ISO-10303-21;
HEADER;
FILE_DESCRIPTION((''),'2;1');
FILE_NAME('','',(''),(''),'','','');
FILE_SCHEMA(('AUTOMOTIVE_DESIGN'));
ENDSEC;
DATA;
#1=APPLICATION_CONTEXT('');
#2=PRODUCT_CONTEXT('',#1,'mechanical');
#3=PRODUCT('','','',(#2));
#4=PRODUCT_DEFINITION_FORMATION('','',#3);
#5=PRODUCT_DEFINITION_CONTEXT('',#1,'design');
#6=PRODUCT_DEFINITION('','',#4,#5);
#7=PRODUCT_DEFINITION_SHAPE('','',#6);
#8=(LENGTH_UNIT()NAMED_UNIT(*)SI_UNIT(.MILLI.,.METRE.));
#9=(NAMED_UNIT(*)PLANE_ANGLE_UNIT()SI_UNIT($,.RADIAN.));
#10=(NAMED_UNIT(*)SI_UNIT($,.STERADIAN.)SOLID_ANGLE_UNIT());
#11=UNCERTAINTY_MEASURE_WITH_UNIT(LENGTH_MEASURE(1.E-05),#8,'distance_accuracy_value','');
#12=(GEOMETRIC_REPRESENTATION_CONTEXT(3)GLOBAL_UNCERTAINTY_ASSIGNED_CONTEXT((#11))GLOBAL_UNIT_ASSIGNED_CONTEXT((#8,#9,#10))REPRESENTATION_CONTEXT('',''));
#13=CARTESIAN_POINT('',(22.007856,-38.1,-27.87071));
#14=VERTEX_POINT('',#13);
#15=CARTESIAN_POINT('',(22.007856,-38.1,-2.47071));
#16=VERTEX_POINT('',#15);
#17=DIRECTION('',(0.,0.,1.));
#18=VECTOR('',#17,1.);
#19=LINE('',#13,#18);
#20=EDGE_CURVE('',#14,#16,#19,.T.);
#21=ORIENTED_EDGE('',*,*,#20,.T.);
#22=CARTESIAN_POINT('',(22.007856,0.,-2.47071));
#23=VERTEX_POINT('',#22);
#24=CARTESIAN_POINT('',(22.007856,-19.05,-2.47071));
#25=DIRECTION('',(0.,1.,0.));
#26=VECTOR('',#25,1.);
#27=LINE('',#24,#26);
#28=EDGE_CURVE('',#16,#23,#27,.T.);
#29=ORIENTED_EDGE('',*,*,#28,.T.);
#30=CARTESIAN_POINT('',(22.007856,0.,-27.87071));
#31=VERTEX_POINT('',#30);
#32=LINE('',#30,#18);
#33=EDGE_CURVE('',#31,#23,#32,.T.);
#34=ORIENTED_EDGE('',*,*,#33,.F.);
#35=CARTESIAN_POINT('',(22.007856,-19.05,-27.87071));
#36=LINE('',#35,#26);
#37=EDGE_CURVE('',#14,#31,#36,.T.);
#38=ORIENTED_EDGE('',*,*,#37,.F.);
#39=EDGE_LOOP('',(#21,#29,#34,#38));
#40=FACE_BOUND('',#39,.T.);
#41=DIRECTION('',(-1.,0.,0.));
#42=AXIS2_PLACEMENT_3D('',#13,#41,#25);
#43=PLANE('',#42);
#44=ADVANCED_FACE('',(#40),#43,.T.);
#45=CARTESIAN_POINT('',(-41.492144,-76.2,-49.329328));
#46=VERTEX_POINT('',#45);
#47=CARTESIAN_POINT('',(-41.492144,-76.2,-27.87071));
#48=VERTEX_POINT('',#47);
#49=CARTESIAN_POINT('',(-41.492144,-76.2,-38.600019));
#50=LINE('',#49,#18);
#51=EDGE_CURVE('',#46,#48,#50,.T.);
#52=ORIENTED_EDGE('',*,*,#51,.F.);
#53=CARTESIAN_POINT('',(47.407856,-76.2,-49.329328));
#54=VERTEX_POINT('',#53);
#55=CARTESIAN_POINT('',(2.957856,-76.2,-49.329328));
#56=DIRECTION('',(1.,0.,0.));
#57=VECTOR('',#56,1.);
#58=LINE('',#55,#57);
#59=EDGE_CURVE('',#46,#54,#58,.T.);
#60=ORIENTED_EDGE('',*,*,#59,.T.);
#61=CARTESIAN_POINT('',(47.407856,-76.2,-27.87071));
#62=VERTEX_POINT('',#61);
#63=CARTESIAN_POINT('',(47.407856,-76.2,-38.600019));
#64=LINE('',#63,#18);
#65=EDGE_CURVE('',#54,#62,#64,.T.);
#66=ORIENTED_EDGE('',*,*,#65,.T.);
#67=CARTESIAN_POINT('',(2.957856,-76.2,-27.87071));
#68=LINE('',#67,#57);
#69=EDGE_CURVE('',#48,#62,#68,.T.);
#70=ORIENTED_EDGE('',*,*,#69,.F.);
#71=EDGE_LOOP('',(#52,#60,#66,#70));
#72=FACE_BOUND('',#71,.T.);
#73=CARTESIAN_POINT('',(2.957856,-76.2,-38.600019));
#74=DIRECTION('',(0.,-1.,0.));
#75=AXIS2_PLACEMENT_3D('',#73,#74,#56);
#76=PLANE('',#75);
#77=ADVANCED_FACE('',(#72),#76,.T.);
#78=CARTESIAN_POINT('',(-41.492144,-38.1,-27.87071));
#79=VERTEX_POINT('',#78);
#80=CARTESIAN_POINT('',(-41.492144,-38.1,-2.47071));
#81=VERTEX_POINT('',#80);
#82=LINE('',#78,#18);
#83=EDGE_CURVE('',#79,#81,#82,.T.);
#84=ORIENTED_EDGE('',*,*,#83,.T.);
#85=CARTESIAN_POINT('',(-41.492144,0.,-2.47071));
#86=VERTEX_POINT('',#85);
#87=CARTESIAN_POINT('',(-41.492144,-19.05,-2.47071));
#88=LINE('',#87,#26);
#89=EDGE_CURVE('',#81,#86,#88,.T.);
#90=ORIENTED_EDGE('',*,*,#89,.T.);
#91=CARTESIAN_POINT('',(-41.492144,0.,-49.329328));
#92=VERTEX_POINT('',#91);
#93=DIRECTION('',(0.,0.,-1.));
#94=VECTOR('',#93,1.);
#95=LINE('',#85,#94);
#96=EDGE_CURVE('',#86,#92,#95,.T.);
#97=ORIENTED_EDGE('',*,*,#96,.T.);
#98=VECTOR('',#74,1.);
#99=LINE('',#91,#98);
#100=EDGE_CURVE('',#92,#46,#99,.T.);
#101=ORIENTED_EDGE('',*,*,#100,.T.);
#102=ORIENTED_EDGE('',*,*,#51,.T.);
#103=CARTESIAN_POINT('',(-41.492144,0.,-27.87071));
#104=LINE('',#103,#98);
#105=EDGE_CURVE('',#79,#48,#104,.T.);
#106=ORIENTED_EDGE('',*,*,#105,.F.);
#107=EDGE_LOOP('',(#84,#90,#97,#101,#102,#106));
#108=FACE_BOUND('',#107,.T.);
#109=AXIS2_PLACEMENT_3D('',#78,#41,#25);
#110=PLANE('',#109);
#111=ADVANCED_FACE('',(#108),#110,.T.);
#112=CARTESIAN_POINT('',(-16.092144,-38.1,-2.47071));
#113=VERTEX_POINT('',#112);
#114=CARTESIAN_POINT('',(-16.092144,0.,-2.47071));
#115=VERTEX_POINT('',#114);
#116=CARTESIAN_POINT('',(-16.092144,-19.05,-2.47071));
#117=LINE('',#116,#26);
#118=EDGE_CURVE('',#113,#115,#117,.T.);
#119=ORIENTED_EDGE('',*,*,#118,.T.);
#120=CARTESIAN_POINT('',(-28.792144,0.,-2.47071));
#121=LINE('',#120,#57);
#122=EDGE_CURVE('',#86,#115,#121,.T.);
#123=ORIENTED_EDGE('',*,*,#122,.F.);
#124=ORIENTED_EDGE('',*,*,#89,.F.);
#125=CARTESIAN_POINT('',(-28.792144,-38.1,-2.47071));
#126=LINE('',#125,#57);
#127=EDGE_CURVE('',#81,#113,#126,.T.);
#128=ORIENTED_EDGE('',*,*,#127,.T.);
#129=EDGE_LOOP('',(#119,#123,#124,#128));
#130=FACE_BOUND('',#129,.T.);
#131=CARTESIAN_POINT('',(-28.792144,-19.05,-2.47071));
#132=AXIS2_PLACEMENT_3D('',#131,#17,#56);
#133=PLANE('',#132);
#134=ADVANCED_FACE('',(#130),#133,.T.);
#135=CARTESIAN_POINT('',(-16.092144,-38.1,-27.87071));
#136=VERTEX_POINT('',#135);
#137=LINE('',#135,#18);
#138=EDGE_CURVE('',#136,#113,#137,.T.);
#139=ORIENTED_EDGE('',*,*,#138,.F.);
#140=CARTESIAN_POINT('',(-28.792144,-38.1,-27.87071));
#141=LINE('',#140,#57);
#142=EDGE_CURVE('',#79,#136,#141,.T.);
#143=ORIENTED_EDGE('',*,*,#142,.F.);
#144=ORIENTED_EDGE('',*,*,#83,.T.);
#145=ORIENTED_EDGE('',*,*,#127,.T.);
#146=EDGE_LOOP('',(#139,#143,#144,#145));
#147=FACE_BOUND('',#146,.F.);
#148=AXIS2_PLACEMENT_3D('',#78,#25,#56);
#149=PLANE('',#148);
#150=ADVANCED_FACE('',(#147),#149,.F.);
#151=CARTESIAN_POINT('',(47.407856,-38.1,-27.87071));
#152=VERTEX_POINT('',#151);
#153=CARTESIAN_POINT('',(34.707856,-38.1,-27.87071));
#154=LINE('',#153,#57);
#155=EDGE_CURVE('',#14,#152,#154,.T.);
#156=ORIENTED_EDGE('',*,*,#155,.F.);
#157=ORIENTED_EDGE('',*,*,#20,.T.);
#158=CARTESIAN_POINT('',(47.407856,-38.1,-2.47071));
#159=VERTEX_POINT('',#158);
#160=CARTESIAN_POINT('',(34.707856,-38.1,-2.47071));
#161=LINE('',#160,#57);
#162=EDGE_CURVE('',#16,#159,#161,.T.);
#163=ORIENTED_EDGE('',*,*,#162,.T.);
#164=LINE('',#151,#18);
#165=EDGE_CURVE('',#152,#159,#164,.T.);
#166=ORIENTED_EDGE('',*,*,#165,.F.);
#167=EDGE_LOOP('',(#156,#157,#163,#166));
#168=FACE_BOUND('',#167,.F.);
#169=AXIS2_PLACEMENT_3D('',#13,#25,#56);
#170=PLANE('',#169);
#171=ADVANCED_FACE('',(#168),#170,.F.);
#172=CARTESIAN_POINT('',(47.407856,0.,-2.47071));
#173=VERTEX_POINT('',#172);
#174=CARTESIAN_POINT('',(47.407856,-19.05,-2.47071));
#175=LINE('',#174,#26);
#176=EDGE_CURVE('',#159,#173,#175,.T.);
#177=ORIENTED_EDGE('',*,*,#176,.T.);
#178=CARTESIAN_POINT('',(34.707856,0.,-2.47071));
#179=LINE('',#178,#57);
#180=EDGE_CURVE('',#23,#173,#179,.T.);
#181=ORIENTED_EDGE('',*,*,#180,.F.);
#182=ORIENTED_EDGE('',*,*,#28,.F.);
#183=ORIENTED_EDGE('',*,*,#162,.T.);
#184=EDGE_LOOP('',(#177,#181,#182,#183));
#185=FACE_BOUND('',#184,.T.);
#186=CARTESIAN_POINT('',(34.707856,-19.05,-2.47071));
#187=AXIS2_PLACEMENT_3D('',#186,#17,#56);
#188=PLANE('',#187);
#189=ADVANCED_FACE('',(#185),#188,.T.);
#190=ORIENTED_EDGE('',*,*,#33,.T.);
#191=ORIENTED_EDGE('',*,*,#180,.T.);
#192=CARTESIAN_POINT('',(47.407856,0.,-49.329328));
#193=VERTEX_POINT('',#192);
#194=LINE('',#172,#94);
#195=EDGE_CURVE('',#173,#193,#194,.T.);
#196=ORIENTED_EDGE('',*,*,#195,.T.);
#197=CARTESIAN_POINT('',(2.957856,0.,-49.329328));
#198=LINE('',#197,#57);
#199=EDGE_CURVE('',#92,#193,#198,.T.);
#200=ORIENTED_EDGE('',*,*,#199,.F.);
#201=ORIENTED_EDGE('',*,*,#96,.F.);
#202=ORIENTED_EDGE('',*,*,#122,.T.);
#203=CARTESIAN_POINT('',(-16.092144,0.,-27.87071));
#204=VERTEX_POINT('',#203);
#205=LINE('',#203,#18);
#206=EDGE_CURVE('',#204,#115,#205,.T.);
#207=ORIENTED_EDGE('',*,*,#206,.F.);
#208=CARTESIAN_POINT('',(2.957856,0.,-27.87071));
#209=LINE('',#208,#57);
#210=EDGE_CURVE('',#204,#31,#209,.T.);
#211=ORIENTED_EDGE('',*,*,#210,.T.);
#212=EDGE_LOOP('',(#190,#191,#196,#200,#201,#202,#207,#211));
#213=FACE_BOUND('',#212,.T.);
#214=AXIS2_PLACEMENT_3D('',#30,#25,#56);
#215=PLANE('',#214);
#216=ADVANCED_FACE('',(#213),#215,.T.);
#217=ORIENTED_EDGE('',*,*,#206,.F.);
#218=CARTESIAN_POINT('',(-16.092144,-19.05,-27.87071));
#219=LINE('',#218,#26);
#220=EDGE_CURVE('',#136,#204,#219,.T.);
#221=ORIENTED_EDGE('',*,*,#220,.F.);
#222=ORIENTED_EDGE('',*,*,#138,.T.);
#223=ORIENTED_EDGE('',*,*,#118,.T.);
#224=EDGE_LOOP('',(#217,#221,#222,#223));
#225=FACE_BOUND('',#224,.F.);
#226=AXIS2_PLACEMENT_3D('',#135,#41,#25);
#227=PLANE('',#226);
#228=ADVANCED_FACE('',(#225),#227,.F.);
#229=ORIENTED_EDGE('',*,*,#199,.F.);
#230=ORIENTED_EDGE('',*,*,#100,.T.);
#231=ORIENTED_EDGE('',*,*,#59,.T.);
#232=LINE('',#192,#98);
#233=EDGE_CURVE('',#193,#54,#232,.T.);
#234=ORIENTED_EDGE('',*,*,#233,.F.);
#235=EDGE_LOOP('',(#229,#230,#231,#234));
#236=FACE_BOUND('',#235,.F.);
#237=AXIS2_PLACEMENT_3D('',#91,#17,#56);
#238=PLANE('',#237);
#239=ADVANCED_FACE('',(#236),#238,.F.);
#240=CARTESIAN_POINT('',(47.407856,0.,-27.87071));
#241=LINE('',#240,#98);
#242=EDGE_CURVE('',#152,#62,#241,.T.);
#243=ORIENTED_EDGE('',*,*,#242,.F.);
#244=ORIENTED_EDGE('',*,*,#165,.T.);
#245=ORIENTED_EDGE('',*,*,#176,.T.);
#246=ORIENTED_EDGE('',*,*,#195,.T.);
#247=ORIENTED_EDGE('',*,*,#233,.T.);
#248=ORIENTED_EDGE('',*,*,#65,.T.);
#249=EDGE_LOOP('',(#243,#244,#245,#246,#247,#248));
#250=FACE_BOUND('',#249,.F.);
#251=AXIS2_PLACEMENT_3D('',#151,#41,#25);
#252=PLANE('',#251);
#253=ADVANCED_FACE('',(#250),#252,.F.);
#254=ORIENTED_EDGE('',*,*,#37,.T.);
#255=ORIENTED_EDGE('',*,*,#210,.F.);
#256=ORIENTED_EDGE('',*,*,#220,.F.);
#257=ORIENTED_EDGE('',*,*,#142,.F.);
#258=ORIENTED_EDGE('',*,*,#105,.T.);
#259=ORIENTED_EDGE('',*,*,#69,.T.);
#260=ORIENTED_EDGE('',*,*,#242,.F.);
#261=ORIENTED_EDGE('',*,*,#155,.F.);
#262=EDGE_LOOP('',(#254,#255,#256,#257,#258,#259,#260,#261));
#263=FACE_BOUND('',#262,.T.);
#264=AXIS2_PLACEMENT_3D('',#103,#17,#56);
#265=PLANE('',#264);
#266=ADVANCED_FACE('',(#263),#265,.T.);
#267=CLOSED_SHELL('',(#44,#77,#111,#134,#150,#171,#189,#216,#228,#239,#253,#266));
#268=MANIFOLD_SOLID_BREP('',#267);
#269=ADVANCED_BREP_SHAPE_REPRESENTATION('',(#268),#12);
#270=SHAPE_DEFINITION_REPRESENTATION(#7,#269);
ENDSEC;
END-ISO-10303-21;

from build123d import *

# Parameters (mm, degrees)
F0_W     = 88.9
F0_H     = 21.458618
F1_DEPTH = 76.2
F2_W     = 25.4
F2_H     = 38.1
F3_DEPTH = 25.4
F4_W     = 25.4
F4_H     = 38.1
F5_DEPTH = 25.4


with BuildPart() as f1:
    # F0 (on Front) → F1 (new body)
    with BuildSketch(Plane.XZ):
        with Locations((2.957856, -38.600019)):
            Rectangle(F0_W, F0_H)
    extrude(amount=F1_DEPTH)

    # F2 (on face) → F3 (join)
    with BuildSketch(Plane.XY.offset(-27.87071)):
        with Locations((-28.792144, -19.05)):
            Rectangle(F2_W, F2_H)
    extrude(amount=F3_DEPTH)

    # F4 (on face) → F5 (join)
    with BuildSketch(Plane.XY.offset(-27.87071)):
        with Locations((34.707856, -19.05)):
            Rectangle(F4_W, F4_H)
    extrude(amount=F5_DEPTH)


solid = f1.part
